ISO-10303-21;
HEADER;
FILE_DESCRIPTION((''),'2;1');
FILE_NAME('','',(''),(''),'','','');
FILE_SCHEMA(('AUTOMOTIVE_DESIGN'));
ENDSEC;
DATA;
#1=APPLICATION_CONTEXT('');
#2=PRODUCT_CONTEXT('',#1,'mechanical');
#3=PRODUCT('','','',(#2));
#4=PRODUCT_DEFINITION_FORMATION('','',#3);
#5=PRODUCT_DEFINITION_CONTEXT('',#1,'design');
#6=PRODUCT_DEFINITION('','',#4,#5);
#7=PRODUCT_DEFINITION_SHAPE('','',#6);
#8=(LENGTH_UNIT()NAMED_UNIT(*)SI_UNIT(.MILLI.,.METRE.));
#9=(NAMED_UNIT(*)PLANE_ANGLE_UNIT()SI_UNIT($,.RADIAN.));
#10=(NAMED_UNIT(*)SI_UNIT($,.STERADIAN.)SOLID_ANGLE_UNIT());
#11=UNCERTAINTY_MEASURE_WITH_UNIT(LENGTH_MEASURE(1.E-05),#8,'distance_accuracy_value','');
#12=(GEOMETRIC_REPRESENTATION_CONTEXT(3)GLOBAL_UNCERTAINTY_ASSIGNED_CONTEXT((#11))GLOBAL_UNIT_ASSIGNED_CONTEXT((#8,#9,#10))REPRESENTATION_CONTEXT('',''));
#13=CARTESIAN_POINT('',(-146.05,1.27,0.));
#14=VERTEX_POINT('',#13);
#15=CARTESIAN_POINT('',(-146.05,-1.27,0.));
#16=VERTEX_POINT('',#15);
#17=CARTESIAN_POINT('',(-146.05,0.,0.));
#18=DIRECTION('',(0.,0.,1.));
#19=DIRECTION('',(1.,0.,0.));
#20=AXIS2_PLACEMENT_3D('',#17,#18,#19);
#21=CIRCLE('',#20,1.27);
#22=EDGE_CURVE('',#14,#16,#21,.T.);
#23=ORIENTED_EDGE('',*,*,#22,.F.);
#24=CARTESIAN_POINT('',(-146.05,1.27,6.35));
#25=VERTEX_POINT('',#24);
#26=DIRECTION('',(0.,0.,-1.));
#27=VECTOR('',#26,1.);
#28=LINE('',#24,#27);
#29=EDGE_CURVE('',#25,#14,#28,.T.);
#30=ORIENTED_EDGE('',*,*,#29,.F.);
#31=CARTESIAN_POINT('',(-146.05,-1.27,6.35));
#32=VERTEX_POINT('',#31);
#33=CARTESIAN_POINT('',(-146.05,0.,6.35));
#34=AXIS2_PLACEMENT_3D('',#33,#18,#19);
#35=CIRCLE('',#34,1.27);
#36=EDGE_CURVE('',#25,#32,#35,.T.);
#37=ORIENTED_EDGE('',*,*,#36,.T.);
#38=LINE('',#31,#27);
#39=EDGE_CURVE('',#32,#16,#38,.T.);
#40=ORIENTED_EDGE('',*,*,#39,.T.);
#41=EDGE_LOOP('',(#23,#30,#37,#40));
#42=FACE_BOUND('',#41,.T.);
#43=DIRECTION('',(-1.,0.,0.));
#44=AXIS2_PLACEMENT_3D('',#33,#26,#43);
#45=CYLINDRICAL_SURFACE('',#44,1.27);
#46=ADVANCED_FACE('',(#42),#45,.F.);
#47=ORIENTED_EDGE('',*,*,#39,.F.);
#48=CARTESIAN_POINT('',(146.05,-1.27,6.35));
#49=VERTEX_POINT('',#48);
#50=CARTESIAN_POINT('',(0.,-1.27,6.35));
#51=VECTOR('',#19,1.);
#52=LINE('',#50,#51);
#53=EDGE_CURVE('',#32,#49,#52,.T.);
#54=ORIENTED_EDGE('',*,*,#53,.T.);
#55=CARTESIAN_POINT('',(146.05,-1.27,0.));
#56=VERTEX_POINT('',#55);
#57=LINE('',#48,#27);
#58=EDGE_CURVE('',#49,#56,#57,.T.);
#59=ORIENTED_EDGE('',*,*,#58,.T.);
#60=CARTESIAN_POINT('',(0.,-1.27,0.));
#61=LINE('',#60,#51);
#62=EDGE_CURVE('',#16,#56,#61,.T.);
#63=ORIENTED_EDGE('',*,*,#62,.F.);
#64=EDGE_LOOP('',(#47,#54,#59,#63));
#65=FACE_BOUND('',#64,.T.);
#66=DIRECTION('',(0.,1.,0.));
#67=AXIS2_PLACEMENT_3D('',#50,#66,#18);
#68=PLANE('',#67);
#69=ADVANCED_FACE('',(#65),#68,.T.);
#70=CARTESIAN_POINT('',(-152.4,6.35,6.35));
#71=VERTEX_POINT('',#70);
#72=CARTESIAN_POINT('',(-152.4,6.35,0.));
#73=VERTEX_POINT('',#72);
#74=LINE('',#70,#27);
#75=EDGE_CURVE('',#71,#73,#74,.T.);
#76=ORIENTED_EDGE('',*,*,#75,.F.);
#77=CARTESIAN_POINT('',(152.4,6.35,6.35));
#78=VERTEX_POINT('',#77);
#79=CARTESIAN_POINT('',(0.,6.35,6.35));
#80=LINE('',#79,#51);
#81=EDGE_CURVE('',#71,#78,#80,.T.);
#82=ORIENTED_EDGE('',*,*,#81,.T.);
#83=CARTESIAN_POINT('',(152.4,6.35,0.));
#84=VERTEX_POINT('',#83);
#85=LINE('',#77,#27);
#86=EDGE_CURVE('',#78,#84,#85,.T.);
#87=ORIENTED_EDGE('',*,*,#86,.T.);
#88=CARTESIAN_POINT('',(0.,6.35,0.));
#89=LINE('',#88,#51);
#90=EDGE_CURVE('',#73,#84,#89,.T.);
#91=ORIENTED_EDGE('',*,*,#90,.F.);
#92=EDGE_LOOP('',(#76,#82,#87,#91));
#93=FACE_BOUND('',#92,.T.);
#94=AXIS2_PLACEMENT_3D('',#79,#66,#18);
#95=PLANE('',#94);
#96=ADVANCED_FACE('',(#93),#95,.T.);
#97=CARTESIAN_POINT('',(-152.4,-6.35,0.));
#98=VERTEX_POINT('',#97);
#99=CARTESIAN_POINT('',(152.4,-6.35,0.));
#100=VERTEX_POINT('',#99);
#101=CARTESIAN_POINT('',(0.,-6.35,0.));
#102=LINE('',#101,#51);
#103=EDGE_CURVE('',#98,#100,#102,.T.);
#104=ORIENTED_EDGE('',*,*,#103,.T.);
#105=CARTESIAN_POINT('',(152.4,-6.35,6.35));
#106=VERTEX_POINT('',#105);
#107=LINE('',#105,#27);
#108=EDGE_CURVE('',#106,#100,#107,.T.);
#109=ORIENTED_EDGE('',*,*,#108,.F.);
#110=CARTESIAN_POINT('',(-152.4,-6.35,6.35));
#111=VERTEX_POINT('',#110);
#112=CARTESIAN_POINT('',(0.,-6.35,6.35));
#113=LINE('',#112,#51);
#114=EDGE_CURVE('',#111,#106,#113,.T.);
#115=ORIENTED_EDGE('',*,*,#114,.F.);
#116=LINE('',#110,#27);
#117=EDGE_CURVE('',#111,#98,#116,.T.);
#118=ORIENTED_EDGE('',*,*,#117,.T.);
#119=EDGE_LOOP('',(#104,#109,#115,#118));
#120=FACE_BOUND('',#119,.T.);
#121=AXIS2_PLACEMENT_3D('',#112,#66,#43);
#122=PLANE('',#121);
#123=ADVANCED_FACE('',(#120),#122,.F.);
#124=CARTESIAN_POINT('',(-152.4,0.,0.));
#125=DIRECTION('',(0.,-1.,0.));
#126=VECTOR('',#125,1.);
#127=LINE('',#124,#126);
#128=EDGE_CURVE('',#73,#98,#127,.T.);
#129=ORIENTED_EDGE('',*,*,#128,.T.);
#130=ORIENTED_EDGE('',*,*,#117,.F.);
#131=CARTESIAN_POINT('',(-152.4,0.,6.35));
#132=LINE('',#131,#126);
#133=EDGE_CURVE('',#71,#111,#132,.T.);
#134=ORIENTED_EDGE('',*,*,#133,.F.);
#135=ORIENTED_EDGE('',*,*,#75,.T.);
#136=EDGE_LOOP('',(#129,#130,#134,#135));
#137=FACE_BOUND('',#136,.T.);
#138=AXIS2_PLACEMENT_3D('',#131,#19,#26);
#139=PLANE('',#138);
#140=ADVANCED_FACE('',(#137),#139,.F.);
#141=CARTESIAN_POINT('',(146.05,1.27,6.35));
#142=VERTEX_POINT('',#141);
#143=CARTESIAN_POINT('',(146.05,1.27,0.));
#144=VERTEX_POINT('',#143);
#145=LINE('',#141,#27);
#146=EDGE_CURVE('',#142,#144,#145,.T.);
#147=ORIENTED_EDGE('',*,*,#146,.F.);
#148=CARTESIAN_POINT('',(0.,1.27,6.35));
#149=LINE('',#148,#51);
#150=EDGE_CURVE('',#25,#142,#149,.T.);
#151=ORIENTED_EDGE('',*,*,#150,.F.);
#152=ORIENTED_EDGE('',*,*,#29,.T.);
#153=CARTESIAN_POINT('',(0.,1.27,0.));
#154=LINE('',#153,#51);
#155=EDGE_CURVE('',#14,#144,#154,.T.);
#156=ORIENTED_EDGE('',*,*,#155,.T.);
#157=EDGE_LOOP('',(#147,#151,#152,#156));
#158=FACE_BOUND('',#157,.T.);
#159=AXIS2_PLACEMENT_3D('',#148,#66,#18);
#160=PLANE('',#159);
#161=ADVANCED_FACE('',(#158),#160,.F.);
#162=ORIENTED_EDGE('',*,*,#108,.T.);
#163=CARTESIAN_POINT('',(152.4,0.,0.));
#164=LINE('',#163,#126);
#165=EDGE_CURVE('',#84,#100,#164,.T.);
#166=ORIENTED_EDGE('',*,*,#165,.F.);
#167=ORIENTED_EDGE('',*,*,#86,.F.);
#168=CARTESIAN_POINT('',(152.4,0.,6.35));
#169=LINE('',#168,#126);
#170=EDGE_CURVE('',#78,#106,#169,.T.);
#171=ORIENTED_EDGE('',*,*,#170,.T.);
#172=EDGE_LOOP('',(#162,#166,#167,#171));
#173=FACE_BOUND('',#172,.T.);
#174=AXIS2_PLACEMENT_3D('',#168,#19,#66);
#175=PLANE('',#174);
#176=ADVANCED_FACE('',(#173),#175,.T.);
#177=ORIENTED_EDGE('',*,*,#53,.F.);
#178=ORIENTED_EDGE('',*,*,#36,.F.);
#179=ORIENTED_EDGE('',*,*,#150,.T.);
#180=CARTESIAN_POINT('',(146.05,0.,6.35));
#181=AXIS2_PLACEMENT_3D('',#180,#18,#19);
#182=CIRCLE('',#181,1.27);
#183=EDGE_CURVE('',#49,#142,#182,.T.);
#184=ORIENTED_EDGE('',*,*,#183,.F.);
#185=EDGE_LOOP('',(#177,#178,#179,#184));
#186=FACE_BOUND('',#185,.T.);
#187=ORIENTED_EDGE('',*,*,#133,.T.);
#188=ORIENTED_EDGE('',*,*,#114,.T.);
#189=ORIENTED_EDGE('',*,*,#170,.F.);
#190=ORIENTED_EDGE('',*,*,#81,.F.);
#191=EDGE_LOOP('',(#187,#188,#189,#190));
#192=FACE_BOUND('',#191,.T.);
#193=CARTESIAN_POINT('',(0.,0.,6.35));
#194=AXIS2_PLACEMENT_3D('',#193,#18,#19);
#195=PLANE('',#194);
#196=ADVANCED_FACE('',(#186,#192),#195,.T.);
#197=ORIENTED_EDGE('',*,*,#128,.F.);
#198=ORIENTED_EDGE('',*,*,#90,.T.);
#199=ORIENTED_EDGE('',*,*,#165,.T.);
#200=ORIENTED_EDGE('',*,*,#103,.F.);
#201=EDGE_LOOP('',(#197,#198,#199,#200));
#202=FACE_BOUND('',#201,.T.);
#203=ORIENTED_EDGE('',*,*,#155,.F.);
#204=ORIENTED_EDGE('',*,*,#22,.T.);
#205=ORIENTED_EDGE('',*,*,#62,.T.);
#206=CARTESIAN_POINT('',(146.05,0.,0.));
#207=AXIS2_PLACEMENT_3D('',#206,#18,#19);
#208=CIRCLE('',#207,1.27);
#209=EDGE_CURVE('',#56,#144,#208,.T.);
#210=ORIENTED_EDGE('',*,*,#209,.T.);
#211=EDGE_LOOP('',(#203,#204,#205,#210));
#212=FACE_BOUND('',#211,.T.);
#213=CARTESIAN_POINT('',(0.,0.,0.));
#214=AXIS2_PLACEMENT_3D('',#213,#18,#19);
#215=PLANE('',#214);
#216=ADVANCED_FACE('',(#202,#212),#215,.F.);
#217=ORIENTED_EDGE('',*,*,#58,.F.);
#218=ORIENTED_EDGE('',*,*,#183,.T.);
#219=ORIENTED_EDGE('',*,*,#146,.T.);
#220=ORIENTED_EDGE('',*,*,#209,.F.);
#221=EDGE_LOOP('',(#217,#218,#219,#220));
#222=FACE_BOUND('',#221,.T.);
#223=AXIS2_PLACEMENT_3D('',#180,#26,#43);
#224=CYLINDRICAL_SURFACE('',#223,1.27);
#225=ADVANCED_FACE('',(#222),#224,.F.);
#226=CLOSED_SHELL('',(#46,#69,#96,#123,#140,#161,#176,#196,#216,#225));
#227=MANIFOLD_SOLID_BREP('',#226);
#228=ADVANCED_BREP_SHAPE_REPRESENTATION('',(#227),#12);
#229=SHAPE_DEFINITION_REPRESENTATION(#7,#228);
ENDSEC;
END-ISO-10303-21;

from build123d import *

# Parameters (mm, degrees)
SKETCH1_W           = 304.8
SKETCH1_H           = 12.7
BOSS_EXTRUDE1_DEPTH = 6.35


with BuildPart() as part:
    # Sketch1 → Boss-Extrude1 (new body)
    with BuildSketch(Plane.XY):
        Rectangle(SKETCH1_W, SKETCH1_H)
        with BuildLine():
            ThreePointArc((-146.05, -1.27), (-147.32, 0), (-146.05, 1.27))
            Line((-146.05, 1.27), (146.05, 1.27))
            ThreePointArc((146.05, 1.27), (146.948025612, 0.898025612), (147.32, 0))
            ThreePointArc((147.32, 0), (146.948025612, -0.898025612), (146.05, -1.27))
            Line((146.05, -1.27), (-146.05, -1.27))
        make_face(mode=Mode.SUBTRACT)
    extrude(amount=BOSS_EXTRUDE1_DEPTH)


solid = part.part
